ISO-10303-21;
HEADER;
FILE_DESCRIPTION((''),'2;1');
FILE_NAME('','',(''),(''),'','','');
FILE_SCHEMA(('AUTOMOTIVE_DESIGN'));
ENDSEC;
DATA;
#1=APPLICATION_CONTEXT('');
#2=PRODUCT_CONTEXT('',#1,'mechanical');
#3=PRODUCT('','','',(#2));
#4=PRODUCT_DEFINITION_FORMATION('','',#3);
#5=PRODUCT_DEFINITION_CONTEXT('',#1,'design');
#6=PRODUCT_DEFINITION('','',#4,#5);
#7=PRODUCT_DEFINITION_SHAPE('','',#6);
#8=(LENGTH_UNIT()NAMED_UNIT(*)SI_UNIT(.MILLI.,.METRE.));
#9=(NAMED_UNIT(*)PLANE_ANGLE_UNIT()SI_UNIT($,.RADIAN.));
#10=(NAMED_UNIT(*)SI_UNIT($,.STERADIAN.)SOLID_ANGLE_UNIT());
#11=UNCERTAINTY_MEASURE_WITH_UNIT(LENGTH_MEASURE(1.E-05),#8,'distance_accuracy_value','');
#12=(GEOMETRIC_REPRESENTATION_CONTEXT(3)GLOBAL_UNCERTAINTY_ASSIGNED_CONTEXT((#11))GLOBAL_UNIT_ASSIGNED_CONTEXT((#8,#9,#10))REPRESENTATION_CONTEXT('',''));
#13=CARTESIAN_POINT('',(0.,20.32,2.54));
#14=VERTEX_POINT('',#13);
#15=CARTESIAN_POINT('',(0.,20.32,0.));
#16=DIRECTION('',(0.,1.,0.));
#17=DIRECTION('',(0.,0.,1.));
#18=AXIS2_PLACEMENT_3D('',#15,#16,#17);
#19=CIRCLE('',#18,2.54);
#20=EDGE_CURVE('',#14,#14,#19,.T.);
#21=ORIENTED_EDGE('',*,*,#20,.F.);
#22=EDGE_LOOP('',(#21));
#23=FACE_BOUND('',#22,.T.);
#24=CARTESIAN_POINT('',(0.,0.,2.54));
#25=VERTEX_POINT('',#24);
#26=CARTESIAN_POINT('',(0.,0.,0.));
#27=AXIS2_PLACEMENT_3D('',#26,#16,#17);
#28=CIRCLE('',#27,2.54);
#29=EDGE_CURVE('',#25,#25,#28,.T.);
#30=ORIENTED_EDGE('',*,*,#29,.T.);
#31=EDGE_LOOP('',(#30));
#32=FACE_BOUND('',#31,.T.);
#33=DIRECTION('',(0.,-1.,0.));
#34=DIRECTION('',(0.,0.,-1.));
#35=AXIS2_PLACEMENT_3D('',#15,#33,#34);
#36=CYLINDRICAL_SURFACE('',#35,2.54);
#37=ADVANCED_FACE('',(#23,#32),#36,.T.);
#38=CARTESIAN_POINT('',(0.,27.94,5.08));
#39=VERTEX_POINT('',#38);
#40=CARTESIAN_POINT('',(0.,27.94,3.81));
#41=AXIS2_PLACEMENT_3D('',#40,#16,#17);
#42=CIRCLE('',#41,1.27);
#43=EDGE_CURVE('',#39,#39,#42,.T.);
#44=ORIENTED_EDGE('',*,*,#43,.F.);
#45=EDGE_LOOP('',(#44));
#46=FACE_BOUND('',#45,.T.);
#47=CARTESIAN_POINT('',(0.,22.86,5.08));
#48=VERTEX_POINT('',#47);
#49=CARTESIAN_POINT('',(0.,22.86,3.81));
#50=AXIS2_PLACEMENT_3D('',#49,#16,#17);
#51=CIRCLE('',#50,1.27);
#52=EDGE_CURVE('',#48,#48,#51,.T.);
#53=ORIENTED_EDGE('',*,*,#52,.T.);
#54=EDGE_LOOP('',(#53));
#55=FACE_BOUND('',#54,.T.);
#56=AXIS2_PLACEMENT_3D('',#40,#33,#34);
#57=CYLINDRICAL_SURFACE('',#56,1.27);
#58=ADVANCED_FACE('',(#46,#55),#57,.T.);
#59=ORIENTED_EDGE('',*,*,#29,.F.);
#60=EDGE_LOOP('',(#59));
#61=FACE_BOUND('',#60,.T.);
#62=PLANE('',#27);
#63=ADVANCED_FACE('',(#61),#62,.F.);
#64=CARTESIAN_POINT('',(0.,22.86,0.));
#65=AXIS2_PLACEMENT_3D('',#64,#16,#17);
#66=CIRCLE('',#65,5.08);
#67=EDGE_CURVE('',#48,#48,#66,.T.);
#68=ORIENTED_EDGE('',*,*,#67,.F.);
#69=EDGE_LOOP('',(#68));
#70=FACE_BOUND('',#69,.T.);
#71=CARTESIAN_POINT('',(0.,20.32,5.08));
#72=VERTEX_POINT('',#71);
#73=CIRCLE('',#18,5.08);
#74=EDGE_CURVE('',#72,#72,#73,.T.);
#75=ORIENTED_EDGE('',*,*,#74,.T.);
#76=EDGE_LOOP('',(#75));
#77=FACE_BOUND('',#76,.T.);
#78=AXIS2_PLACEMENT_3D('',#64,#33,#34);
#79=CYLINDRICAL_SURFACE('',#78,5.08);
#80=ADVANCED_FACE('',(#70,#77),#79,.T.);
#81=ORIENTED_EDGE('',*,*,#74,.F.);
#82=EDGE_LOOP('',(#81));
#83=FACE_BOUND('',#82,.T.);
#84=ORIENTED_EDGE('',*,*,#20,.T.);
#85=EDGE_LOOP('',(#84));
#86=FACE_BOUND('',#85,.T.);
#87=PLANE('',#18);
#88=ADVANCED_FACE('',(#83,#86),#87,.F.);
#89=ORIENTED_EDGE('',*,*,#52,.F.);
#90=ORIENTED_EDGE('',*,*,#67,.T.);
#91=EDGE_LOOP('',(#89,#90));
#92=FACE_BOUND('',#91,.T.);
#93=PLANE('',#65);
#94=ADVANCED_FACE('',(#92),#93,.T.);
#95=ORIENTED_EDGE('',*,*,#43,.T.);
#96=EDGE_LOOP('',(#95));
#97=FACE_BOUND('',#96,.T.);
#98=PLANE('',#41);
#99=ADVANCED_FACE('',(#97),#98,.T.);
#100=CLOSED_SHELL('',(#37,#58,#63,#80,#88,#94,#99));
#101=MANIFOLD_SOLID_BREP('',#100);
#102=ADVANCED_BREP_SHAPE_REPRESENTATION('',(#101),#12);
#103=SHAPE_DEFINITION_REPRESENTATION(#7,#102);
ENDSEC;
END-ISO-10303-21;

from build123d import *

# Parameters (mm, degrees)
SKETCH1_R           = 2.54
BOSS_EXTRUDE1_DEPTH = 20.32
SKETCH2_R           = 5.08
BOSS_EXTRUDE2_DEPTH = 2.54
SKETCH3_R           = 1.27
BOSS_EXTRUDE3_DEPTH = 5.08


with BuildPart() as part:
    # Sketch1 → Boss-Extrude1 (new body)
    with BuildSketch(Plane(origin=(0, 0, 0), x_dir=(1, 0, 0), z_dir=(0, 1, 0))):
        Circle(SKETCH1_R)
    extrude(amount=BOSS_EXTRUDE1_DEPTH)

    # Sketch2 → Boss-Extrude2 (add)
    with BuildSketch(Plane(origin=(0, 20.32, 0), x_dir=(1, 0, 0), z_dir=(0, 1, 0))):
        Circle(SKETCH2_R)
    extrude(amount=BOSS_EXTRUDE2_DEPTH)

    # Sketch3 → Boss-Extrude3 (add)
    with BuildSketch(Plane(origin=(0, 22.86, 0), x_dir=(1, 0, 0), z_dir=(0, 1, 0))):
        with Locations((0, -3.81)):
            Circle(SKETCH3_R)
    extrude(amount=BOSS_EXTRUDE3_DEPTH)


solid = part.part
